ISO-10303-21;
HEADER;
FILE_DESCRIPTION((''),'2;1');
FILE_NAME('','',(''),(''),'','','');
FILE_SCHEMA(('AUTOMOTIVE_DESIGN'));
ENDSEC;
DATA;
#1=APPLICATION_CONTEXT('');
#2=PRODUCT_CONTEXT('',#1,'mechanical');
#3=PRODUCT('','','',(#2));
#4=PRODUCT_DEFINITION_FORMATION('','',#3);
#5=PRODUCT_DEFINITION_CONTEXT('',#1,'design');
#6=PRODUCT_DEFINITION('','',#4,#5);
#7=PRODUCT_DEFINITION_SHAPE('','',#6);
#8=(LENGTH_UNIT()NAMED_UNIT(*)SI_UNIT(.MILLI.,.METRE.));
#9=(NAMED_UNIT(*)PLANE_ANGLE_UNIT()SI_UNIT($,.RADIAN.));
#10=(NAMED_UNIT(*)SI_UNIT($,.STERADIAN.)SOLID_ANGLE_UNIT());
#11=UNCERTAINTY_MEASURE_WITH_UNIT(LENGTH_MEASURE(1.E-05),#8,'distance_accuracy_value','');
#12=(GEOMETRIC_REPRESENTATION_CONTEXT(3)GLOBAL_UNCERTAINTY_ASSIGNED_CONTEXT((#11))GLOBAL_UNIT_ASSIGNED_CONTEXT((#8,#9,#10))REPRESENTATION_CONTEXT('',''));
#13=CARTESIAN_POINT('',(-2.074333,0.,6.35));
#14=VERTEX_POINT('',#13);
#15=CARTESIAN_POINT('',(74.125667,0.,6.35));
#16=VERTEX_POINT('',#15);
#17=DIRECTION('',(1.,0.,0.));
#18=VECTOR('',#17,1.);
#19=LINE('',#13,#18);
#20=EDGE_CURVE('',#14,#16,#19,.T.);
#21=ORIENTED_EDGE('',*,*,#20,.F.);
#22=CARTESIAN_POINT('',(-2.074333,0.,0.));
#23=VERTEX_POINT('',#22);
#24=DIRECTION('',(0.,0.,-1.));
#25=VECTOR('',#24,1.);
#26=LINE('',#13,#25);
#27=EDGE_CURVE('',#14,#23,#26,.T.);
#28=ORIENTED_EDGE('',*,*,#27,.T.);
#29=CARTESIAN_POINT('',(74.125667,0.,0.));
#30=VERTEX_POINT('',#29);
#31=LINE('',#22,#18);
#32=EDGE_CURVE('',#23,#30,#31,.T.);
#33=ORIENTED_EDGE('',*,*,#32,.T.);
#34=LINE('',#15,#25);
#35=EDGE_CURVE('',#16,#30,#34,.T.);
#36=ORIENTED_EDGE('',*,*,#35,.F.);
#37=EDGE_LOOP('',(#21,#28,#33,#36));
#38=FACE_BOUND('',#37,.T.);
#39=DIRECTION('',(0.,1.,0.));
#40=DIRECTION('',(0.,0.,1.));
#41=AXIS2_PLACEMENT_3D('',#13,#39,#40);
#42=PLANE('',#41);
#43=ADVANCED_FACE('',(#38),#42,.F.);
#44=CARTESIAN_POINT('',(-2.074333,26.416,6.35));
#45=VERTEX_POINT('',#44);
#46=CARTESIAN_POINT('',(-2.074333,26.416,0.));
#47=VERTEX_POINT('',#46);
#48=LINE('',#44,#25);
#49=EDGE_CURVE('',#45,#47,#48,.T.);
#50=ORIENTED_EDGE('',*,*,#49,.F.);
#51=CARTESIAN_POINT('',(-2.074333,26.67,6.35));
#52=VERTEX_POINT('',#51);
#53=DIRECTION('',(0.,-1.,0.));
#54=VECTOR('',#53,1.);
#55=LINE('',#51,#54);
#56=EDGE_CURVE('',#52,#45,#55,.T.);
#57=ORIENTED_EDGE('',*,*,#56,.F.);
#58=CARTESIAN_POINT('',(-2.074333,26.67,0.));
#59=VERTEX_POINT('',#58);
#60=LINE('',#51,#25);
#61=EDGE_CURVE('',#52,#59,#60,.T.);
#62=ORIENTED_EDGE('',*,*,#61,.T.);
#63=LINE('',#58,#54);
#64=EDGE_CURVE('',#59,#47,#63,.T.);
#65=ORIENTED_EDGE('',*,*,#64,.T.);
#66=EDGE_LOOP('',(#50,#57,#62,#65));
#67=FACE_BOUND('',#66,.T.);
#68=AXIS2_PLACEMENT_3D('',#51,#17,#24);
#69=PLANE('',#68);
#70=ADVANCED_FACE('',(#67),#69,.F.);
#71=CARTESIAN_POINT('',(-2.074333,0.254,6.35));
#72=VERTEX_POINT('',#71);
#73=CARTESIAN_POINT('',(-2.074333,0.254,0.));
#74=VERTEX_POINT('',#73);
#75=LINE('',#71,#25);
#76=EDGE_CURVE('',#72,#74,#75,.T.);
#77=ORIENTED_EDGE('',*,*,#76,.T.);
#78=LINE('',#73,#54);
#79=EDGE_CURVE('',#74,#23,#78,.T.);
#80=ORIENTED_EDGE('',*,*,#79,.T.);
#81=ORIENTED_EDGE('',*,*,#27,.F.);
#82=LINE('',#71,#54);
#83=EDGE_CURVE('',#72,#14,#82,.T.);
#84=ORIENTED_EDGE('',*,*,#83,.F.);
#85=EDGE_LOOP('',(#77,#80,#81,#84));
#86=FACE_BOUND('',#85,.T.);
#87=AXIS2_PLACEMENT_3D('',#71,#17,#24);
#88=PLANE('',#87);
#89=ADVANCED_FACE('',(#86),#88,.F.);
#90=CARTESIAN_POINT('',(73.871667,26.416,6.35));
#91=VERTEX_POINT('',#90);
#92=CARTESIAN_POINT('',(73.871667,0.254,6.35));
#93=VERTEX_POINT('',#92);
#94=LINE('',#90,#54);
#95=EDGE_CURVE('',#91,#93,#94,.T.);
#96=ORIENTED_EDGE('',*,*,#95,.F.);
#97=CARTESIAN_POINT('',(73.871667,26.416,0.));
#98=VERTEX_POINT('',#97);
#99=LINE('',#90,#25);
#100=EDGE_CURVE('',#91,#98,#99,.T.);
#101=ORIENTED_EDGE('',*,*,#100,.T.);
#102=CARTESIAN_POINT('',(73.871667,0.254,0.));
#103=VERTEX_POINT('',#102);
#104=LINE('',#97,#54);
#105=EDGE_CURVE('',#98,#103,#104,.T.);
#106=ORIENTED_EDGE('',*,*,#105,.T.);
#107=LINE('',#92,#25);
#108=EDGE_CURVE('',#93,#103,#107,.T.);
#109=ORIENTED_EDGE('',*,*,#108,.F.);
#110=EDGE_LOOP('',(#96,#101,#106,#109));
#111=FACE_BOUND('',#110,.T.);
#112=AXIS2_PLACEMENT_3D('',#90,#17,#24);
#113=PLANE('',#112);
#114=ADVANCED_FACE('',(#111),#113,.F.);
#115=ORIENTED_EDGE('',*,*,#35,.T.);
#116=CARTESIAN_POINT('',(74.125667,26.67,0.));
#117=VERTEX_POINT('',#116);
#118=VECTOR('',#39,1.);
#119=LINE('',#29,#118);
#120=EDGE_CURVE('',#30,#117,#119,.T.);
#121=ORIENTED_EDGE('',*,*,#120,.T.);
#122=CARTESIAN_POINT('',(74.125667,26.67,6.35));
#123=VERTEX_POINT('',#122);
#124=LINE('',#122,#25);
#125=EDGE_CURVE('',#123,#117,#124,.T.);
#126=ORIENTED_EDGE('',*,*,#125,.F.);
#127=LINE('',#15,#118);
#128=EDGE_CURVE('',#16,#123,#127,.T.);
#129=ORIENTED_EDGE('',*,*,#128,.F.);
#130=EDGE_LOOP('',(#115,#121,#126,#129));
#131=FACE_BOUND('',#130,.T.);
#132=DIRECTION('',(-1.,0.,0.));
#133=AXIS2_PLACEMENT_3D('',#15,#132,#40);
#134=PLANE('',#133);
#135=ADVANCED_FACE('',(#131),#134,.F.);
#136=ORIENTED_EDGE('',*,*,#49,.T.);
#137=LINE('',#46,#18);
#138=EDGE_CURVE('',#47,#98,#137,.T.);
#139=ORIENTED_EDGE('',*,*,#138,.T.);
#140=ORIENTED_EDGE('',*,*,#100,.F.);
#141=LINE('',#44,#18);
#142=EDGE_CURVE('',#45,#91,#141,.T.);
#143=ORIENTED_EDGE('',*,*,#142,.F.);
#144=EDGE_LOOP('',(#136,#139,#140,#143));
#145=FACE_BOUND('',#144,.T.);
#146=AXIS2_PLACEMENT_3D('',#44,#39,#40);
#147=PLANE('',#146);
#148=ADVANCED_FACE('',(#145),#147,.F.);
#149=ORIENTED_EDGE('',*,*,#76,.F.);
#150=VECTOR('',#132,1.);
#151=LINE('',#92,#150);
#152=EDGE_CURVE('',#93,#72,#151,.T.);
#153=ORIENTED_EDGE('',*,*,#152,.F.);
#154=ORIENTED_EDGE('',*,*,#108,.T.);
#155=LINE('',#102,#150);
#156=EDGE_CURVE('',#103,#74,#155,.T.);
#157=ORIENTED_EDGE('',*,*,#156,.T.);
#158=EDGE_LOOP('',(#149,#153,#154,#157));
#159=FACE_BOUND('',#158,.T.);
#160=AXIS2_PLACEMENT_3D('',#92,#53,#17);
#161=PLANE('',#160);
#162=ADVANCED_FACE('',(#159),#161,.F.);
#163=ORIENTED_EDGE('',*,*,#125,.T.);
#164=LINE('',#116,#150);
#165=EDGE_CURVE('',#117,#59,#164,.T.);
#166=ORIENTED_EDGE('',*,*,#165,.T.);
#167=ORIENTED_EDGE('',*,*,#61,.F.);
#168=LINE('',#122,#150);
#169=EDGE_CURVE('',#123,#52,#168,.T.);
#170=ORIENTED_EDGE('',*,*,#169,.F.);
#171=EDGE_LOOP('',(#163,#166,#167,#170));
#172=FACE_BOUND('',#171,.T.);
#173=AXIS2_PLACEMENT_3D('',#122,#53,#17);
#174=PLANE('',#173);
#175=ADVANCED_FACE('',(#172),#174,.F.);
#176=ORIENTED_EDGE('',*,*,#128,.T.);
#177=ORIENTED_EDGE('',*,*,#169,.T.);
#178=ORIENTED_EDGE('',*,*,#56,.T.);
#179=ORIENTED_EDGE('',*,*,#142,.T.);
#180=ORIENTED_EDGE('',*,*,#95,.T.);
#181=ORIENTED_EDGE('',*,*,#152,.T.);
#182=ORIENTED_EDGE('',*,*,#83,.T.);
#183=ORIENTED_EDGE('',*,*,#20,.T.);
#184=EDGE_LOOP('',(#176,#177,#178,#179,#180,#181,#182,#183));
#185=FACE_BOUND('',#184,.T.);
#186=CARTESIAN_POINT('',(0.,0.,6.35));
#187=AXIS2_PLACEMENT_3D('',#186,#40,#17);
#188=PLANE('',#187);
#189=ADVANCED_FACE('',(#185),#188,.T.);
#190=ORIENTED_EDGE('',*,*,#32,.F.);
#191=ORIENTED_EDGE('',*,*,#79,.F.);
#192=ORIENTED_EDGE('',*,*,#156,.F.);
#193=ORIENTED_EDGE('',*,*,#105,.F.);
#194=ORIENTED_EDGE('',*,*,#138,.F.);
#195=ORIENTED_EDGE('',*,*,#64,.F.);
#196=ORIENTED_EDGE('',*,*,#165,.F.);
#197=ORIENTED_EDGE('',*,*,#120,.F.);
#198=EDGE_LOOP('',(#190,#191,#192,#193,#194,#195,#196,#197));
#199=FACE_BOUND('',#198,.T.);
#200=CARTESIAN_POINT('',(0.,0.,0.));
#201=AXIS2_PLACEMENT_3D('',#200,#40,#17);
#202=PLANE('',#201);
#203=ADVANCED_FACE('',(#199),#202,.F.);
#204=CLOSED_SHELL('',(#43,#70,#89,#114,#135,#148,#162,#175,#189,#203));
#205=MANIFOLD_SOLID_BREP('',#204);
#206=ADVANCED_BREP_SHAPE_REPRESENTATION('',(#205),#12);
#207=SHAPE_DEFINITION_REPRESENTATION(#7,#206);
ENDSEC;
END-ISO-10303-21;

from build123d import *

# Parameters (mm, degrees)
BOSS_EXTRUDE1_DEPTH = 6.35


with BuildPart() as part:
    # Sketch2 → Boss-Extrude1 (new body)
    with BuildSketch(Plane.XY):
        Polygon((-2.074333333, 0), (74.125666667, 0), (74.125666667, 26.67), (-2.074333333, 26.67), (-2.074333333, 26.416), (73.871666667, 26.416), (73.871666667, 0.254), (-2.074333333, 0.254), align=None)
    extrude(amount=BOSS_EXTRUDE1_DEPTH)


solid = part.part
